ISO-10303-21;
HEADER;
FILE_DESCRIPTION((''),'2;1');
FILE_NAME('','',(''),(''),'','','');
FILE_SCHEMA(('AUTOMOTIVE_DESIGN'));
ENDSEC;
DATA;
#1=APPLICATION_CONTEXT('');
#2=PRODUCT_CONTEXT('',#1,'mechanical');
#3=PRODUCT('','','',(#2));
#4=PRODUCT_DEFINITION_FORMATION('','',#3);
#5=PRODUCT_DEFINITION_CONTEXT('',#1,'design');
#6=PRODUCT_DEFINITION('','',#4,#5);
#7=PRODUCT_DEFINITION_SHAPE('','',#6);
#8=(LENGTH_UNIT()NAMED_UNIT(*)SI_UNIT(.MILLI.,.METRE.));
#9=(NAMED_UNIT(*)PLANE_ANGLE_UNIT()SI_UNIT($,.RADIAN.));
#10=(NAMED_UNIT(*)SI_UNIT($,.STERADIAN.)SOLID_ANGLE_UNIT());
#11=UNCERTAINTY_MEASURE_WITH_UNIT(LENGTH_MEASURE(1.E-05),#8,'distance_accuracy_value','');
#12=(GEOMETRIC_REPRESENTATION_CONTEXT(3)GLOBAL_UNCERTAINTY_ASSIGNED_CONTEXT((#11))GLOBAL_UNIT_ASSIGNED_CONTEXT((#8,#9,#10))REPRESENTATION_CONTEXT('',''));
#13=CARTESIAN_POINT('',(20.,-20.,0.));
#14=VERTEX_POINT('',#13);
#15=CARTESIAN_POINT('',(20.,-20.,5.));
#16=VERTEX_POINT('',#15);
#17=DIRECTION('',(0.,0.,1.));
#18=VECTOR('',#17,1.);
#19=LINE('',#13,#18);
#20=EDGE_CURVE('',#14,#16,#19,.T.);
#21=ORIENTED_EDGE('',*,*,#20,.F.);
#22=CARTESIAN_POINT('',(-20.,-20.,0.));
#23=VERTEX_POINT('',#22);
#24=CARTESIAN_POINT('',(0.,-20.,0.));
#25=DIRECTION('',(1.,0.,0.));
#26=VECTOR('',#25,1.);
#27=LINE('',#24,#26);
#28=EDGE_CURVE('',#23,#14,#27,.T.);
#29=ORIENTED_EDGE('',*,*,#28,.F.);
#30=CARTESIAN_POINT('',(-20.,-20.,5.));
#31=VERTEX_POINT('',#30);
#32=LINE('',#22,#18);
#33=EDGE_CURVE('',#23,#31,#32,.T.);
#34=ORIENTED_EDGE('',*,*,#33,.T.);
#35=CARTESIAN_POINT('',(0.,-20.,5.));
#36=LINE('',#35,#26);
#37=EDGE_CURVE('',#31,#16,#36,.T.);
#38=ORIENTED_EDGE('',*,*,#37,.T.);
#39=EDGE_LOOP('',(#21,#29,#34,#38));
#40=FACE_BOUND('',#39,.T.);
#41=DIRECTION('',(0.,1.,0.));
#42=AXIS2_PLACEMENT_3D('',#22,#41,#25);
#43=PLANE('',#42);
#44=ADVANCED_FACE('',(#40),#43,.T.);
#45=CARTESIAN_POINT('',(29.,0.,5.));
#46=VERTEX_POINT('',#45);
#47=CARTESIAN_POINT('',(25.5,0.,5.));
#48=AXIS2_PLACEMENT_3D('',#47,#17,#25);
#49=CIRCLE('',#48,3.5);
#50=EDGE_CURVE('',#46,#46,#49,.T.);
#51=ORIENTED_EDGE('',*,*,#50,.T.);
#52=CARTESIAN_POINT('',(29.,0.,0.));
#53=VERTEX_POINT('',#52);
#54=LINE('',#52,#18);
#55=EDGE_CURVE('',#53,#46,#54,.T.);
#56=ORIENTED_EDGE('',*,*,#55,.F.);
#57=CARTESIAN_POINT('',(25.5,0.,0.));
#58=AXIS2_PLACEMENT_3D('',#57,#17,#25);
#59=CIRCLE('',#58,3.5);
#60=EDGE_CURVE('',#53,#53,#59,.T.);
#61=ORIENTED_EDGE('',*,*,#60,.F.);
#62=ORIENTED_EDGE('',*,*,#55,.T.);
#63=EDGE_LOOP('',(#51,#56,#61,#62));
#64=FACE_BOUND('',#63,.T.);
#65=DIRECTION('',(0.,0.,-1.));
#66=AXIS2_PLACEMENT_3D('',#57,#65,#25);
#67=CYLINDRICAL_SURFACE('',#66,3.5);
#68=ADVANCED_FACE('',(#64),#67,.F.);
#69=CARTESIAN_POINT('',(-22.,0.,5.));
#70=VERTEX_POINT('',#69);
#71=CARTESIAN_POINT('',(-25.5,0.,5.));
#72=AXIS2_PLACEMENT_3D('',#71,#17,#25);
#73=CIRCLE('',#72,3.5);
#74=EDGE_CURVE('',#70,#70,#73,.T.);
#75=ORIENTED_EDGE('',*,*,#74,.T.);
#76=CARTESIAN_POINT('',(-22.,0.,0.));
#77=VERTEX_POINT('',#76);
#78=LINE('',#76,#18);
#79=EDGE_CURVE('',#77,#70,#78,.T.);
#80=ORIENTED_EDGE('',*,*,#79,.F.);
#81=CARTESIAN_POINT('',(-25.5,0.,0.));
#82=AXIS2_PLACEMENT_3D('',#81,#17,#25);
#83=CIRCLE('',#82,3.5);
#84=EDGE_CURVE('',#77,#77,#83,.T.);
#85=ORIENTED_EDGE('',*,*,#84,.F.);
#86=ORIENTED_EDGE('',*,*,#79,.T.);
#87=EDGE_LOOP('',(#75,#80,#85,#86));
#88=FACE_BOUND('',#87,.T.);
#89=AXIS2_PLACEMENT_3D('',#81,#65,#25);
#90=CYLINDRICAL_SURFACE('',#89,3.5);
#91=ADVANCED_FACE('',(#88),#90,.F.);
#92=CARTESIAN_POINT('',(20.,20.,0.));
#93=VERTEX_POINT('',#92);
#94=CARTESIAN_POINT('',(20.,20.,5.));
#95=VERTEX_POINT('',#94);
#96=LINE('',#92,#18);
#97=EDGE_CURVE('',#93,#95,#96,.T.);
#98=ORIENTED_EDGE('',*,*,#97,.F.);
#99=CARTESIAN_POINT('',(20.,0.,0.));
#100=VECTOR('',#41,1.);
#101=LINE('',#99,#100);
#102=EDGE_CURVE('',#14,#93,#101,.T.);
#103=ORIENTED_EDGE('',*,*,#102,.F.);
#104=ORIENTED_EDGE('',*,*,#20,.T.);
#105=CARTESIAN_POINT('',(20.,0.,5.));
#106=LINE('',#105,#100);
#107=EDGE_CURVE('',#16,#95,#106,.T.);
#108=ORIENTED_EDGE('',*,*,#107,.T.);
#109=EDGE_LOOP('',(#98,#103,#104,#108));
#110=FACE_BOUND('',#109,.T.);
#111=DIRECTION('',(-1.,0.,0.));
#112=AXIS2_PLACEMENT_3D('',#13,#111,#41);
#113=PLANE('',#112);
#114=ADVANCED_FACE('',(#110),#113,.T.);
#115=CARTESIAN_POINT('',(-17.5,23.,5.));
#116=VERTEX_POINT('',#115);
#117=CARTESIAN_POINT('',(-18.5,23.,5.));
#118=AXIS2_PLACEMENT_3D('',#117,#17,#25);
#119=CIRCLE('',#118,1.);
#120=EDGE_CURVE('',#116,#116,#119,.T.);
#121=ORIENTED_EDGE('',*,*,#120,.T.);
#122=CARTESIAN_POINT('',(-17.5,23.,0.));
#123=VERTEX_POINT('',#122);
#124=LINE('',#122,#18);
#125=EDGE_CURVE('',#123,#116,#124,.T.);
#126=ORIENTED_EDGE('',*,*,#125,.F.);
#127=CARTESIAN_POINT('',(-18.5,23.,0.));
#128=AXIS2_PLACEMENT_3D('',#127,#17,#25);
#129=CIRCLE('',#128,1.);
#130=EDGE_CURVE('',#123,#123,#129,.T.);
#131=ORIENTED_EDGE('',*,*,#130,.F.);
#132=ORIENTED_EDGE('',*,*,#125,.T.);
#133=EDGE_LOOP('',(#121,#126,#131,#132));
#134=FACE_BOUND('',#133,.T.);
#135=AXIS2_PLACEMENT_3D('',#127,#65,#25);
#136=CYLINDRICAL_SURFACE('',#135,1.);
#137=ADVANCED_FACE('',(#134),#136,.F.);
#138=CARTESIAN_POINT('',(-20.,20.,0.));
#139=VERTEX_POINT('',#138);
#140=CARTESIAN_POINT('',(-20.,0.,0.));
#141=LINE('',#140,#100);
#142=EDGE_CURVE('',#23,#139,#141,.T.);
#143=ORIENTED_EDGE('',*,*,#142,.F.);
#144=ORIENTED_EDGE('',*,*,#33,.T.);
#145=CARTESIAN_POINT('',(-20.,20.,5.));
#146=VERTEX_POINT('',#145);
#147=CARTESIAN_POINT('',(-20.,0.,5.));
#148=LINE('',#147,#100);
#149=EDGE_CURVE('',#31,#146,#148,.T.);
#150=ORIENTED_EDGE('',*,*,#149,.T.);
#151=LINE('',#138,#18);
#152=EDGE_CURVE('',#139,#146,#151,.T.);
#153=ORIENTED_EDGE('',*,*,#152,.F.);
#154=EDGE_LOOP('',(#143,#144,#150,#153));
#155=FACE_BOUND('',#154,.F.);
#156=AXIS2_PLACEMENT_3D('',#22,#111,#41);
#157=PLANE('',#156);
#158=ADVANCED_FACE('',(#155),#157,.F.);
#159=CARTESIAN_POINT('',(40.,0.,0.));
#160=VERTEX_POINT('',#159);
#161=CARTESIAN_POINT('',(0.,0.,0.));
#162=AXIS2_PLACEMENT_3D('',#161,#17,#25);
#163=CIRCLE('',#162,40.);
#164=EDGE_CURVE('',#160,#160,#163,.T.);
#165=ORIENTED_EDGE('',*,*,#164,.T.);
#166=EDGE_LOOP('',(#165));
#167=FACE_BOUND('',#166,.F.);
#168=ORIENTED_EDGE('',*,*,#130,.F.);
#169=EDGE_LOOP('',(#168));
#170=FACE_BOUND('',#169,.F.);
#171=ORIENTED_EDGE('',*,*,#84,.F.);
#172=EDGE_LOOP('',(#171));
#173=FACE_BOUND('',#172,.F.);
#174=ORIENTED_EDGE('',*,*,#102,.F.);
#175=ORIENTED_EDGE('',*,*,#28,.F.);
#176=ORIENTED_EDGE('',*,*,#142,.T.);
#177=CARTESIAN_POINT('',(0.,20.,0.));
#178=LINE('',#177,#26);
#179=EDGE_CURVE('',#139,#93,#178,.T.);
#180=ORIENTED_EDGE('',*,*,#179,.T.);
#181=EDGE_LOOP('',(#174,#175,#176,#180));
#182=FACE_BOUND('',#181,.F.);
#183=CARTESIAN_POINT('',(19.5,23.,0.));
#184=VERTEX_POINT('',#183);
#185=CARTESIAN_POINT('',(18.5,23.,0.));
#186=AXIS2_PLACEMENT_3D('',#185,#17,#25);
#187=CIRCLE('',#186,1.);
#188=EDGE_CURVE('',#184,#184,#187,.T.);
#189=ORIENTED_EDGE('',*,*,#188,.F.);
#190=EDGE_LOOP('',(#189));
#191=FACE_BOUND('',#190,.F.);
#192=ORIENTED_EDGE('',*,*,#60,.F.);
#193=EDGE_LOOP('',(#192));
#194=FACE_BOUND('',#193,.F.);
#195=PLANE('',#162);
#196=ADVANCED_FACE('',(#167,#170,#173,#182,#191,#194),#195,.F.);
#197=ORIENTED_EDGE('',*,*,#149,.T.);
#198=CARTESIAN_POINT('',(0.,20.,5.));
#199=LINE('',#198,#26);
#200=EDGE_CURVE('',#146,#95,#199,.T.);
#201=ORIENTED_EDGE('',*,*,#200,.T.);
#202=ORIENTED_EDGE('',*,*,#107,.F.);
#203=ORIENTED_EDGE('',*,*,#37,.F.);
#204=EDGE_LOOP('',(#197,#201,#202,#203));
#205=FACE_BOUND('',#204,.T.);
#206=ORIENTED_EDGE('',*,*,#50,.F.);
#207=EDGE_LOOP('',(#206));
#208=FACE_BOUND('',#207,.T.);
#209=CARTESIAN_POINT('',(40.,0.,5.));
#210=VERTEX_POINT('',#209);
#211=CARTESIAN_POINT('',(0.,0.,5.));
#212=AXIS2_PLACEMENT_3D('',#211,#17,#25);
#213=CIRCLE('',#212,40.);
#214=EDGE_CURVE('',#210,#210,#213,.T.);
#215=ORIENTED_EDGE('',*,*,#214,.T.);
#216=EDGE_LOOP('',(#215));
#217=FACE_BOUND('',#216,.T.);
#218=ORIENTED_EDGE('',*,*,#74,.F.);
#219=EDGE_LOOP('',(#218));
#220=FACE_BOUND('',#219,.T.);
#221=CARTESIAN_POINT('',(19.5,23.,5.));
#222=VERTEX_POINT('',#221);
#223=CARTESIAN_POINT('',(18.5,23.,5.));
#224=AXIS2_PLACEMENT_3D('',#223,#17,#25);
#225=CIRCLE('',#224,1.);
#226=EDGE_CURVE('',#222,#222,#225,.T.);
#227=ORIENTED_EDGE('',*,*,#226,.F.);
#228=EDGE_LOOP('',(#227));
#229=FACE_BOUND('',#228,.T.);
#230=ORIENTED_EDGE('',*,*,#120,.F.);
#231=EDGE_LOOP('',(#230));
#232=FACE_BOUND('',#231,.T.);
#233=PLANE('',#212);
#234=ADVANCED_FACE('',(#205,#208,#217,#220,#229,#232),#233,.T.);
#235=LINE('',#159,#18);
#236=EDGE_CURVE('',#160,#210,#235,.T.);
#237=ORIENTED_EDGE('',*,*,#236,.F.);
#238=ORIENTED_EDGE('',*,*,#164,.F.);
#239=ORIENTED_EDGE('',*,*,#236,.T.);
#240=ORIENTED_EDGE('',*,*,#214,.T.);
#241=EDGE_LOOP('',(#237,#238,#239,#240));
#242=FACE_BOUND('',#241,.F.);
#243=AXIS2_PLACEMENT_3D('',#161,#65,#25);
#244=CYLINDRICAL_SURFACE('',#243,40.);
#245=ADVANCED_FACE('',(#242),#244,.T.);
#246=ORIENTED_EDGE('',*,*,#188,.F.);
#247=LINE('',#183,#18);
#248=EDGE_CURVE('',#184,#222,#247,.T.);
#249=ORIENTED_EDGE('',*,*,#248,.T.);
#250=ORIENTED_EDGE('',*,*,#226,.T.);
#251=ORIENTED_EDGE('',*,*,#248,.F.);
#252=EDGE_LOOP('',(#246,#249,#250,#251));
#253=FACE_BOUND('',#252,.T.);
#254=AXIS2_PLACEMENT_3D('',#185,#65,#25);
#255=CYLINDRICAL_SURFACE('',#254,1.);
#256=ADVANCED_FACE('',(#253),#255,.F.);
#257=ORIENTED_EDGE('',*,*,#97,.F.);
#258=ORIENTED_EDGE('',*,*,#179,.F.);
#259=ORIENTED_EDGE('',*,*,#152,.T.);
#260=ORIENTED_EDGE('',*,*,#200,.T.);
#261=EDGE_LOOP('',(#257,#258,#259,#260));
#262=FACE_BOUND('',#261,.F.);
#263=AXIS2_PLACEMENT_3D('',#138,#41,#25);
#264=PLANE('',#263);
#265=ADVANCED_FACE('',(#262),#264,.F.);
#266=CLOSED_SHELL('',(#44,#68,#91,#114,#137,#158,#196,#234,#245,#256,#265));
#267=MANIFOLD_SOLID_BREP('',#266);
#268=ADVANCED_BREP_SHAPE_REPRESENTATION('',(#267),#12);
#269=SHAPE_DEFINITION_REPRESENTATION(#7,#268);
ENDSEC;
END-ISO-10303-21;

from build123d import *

# Parameters (mm, degrees)
F0_R     = 40
F0_R_2   = 3.5
F0_R_3   = 1
F0_W     = 40
F0_H     = 40
F1_DEPTH = 5


with BuildPart() as f1:
    # F0 (on Top) → F1 (new body)
    with BuildSketch(Plane.XY):
        Circle(F0_R)
        with Locations((-25.5, 0)):
            Circle(F0_R_2, mode=Mode.SUBTRACT)
        with Locations((-18.5, 23)):
            Circle(F0_R_3, mode=Mode.SUBTRACT)
        Rectangle(F0_W, F0_H, mode=Mode.SUBTRACT)
        with Locations((25.5, 0)):
            Circle(F0_R_2, mode=Mode.SUBTRACT)
        with Locations((18.5, 23)):
            Circle(F0_R_3, mode=Mode.SUBTRACT)
    extrude(amount=F1_DEPTH)


solid = f1.part
